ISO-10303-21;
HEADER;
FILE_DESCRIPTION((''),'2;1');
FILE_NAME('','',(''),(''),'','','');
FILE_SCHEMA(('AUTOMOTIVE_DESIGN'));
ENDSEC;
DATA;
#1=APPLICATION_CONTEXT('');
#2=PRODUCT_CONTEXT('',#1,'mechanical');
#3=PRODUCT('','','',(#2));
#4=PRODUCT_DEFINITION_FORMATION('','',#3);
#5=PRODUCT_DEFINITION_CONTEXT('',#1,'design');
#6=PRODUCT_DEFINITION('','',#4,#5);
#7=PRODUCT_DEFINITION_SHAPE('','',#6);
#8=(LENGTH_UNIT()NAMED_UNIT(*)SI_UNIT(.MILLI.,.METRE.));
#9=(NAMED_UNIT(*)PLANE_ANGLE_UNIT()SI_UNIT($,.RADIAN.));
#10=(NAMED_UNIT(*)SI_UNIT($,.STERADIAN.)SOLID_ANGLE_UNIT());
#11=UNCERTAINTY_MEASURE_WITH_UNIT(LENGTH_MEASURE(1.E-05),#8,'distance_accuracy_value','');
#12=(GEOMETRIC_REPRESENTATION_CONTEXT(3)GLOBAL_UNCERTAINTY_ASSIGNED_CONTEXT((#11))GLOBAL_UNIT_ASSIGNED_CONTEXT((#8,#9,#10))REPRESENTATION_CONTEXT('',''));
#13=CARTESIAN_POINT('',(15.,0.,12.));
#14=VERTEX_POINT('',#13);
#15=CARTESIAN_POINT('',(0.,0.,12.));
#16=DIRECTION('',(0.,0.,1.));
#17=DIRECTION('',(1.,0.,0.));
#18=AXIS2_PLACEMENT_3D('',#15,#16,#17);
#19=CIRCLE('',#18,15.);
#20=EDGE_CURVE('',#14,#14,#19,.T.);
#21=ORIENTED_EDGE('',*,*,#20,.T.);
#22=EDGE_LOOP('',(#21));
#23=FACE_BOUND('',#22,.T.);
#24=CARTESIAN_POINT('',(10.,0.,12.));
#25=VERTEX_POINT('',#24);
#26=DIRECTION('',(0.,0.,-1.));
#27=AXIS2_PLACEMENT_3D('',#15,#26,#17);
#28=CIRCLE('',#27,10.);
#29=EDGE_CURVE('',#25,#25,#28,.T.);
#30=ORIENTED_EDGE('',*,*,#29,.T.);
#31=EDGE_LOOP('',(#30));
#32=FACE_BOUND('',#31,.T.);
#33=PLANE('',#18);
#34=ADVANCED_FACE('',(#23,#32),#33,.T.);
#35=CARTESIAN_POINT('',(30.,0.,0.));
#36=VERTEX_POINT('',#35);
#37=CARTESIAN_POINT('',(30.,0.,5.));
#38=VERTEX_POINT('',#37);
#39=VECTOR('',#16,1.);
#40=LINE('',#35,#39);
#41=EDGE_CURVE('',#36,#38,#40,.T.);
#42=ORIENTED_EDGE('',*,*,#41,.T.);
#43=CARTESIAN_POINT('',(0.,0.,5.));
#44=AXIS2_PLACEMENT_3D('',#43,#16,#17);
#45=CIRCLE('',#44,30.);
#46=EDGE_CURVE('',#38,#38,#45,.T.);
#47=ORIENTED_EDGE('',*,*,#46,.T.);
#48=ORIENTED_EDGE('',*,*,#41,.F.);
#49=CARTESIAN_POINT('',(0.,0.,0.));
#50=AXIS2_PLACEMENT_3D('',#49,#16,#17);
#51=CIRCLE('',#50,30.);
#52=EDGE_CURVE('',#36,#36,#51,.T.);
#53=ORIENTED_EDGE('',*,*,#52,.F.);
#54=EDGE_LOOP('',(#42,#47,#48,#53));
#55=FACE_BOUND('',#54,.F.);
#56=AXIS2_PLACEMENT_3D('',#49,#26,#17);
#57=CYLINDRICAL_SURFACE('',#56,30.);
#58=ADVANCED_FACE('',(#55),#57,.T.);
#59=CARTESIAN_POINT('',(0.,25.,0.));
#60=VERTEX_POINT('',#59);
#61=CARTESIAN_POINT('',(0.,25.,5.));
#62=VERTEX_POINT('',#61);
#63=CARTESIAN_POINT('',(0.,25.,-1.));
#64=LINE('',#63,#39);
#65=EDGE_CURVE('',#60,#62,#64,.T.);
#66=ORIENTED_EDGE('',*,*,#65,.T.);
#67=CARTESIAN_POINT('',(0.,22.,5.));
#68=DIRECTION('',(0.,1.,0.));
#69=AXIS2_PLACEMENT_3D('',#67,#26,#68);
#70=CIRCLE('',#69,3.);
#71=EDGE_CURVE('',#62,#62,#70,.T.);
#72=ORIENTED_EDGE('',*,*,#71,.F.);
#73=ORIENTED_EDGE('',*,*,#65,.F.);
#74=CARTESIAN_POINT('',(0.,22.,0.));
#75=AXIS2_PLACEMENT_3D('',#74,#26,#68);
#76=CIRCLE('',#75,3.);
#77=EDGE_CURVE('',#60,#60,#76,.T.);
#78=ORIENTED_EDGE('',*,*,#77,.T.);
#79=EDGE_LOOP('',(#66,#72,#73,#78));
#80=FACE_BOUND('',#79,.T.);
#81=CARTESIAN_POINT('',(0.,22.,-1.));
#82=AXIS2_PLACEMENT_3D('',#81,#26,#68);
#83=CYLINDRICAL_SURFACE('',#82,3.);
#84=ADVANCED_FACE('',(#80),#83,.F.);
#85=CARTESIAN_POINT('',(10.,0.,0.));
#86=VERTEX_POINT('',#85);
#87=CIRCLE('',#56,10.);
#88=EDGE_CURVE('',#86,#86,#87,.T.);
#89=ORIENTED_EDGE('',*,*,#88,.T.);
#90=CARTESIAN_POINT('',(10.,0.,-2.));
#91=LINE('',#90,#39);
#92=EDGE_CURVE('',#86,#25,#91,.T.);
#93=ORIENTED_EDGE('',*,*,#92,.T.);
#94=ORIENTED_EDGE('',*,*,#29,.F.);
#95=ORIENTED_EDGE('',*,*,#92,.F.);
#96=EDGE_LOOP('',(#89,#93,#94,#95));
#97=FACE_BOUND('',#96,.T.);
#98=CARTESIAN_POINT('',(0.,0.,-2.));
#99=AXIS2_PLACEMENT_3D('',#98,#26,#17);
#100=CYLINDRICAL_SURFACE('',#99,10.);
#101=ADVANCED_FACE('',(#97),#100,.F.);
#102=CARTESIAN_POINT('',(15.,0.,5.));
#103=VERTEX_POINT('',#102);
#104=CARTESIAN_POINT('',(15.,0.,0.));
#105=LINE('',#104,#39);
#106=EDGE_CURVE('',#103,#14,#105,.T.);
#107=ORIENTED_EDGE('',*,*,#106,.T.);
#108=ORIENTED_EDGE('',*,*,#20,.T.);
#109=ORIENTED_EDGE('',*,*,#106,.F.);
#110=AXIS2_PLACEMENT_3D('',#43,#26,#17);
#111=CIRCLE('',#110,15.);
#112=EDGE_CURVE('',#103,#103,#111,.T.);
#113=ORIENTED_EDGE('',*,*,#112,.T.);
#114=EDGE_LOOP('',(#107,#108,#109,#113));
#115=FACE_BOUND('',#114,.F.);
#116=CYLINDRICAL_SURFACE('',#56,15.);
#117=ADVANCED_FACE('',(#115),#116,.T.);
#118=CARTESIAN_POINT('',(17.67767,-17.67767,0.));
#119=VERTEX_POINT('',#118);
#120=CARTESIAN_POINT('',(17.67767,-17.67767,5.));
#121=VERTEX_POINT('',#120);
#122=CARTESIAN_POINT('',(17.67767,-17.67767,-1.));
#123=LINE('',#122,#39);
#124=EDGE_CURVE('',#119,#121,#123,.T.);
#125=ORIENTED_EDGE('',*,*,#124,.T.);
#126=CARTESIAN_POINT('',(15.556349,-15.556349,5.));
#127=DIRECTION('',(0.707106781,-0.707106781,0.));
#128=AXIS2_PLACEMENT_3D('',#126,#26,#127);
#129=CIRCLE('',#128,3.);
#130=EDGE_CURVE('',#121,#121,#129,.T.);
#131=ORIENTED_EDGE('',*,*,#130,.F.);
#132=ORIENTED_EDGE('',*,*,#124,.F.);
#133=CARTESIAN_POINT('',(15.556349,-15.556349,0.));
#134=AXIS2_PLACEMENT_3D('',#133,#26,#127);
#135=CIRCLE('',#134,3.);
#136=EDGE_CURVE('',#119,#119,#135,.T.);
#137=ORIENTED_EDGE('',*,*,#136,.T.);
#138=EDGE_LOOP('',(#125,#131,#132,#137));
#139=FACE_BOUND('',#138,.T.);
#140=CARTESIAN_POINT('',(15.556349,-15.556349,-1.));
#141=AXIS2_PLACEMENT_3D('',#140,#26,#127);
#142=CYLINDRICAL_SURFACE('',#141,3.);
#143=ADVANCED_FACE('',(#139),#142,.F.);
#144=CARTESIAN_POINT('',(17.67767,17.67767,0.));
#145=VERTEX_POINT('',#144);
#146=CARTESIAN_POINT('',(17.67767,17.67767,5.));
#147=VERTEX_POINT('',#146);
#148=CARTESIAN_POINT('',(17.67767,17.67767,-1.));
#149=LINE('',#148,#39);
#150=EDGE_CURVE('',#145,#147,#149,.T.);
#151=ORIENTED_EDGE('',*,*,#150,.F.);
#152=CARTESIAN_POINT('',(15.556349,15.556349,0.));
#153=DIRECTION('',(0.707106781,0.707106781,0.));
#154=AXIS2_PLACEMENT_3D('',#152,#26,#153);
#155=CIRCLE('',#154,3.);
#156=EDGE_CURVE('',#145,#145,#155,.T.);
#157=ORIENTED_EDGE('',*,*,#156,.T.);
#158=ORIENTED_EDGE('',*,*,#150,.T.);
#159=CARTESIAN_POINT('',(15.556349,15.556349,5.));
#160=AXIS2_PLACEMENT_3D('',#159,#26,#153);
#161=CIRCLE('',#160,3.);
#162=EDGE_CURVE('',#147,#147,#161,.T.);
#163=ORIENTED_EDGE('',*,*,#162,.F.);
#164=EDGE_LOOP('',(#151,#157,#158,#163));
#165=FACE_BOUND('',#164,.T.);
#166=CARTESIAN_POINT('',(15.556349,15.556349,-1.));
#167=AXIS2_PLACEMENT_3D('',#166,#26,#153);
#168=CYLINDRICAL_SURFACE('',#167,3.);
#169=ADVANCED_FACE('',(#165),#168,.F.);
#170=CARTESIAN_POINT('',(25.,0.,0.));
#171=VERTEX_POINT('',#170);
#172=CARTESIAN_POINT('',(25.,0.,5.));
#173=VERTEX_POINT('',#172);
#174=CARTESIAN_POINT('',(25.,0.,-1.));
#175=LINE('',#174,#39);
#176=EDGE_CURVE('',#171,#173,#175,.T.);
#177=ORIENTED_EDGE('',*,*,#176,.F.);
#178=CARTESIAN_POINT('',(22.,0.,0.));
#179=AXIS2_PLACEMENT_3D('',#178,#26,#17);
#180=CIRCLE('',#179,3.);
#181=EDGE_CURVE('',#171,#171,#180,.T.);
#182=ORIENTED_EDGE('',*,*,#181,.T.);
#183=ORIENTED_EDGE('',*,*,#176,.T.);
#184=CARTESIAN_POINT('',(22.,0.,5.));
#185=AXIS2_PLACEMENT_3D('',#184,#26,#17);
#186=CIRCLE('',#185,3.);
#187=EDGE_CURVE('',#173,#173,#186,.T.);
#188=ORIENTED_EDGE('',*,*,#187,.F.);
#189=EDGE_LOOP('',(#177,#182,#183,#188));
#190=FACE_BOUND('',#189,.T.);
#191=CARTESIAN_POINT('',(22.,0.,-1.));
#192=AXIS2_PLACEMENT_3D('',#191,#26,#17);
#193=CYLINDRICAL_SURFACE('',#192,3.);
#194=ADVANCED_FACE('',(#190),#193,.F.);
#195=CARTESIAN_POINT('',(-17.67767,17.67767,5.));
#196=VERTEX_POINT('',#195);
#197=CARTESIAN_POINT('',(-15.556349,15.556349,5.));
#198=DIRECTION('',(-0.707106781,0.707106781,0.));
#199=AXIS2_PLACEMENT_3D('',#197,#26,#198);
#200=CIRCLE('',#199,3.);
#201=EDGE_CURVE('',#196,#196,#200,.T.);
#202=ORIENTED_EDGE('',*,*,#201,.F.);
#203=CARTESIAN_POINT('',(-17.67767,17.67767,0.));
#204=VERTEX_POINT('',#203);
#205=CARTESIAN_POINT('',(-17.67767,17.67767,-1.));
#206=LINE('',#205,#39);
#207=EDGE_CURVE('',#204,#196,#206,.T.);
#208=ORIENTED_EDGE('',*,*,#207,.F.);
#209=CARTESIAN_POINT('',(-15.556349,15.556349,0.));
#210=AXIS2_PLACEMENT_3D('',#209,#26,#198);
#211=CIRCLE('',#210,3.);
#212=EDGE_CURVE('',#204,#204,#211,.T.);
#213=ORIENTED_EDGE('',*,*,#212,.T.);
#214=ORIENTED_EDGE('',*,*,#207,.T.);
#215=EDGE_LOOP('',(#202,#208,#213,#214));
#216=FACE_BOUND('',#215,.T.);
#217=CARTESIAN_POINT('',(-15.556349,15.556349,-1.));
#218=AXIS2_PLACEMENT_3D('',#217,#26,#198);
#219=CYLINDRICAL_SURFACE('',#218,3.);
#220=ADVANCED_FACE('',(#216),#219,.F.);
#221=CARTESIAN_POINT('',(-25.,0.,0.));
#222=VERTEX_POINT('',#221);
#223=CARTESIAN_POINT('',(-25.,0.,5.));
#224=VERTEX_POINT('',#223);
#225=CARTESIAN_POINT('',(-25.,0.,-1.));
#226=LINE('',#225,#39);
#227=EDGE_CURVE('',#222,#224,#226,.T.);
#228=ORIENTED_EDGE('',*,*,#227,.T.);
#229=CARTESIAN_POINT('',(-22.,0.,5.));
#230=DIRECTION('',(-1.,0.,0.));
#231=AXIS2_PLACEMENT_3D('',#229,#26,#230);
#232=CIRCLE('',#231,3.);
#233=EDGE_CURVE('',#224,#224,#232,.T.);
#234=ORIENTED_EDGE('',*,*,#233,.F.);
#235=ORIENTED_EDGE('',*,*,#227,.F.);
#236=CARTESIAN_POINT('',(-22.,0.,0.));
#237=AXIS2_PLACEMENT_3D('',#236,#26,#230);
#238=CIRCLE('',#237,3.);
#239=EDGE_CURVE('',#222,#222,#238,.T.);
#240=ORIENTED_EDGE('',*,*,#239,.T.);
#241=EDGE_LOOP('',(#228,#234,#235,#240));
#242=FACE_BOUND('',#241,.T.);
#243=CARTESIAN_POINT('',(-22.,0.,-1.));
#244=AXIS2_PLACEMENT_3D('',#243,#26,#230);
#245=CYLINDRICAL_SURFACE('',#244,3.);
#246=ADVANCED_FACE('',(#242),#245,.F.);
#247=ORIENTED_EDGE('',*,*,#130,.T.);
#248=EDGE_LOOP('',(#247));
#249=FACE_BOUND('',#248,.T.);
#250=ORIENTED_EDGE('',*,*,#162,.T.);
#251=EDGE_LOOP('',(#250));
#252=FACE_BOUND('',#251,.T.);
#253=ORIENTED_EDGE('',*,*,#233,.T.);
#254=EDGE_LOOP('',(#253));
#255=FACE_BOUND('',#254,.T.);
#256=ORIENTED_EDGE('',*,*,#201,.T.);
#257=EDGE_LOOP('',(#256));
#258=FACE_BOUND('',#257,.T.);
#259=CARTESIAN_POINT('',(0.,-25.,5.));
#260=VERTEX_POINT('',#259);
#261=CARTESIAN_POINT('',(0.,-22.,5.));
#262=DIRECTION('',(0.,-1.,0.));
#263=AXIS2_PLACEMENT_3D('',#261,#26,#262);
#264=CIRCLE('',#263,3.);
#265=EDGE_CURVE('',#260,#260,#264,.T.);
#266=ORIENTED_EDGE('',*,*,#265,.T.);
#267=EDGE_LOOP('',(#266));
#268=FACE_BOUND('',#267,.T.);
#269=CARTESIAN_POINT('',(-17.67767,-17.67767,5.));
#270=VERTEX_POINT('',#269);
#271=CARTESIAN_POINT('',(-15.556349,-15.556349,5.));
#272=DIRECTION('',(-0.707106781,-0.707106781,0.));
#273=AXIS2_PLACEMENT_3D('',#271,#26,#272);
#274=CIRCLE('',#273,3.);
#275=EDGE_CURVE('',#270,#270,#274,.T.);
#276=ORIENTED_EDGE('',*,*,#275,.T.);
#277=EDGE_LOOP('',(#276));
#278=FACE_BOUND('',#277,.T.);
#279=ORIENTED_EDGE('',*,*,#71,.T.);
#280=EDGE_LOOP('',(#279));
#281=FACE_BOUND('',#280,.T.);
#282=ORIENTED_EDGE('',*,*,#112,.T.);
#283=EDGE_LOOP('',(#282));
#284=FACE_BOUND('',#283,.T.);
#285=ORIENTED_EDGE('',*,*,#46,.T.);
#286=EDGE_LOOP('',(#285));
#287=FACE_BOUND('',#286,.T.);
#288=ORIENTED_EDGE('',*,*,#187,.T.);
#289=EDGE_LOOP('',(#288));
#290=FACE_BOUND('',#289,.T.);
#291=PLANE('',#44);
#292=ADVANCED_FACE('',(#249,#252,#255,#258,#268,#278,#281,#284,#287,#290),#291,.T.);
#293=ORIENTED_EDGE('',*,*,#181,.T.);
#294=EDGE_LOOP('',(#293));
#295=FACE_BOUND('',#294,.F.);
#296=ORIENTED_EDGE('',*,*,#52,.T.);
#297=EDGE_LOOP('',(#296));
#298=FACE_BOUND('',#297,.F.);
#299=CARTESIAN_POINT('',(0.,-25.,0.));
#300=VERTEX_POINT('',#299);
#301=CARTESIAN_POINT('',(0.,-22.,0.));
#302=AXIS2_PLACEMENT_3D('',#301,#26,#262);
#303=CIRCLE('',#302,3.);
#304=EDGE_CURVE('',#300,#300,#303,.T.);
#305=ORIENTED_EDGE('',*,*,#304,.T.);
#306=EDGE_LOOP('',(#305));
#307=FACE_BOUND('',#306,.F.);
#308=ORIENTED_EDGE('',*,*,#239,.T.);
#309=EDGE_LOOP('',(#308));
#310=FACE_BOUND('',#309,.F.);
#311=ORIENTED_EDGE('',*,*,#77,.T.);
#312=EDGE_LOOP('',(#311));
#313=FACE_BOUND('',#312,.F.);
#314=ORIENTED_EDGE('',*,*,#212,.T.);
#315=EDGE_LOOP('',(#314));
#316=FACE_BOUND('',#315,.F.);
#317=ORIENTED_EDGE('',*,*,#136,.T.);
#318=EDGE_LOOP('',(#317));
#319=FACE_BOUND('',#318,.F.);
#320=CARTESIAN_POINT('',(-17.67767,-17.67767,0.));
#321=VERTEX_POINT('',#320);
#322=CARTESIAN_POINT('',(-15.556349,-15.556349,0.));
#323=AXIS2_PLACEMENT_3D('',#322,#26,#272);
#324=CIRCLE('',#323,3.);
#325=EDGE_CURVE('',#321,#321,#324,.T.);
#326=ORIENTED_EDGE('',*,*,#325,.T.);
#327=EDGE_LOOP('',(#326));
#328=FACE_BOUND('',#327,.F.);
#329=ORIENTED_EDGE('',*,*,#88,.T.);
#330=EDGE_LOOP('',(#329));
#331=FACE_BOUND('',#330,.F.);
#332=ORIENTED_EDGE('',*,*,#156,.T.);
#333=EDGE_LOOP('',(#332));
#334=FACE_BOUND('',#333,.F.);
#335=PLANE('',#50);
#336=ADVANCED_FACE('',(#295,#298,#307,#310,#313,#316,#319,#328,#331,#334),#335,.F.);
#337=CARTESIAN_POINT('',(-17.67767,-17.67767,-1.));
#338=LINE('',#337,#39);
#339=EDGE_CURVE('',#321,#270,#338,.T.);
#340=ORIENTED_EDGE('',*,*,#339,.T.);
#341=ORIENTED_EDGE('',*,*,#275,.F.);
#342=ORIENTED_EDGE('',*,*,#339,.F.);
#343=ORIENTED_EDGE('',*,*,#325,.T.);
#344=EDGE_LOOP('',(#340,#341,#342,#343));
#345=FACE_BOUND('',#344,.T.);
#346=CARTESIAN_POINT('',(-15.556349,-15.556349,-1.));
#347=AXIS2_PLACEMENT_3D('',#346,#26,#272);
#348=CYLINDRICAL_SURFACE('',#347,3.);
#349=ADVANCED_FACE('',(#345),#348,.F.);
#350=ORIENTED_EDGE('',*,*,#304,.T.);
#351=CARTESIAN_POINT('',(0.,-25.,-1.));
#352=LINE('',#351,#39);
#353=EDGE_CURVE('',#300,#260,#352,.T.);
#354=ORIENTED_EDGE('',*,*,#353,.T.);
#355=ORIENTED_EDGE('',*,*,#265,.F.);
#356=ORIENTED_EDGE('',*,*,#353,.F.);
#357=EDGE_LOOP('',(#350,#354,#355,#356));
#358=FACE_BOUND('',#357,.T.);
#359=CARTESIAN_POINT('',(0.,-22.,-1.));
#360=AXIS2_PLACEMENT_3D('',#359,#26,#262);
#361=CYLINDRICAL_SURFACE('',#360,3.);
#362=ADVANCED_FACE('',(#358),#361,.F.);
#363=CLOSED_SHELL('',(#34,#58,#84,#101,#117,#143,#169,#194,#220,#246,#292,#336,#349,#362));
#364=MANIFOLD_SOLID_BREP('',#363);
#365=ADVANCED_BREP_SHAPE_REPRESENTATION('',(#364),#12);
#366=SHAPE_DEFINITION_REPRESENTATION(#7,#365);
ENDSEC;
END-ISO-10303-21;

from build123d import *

# Parameters (mm, degrees)
CYLINDER003_R     = 3
CYLINDER003_DEPTH = 10
ARRAY_COUNT       = 8
CYLINDER002_R     = 10
CYLINDER002_DEPTH = 30
CYLINDER_R        = 30
CYLINDER_DEPTH    = 5
CYLINDER001_R     = 15
CYLINDER001_DEPTH = 12


with BuildPart() as array:
    # Cylinder003 → Cylinder003 (new body)
    with BuildSketch(Plane(origin=(22, 0, -1), x_dir=(1, 0, 0), z_dir=(0, 0, 1))):
        Circle(CYLINDER003_R)
    extrude(amount=CYLINDER003_DEPTH)

    # Array: Array ×8 about axis
    array_axis = Axis((0, 0, 0), (0, 0, 1))


with BuildPart() as array_1:
    add(array.part)
    for i in range(1, ARRAY_COUNT):
        add(array.part.rotate(array_axis, i * 360 / ARRAY_COUNT))


with BuildPart() as tub_interior:
    # Cylinder002 → Cylinder002 (new body)
    with BuildSketch(Plane.XY.offset(-2)):
        Circle(CYLINDER002_R)
    extrude(amount=CYLINDER002_DEPTH)


with BuildPart() as base:
    # Cylinder → Cylinder (new body)
    with BuildSketch(Plane.XY):
        Circle(CYLINDER_R)
    extrude(amount=CYLINDER_DEPTH)


with BuildPart() as cut001:
    # Cylinder001 → Cylinder001 (new body)
    with BuildSketch(Plane.XY):
        Circle(CYLINDER001_R)
    extrude(amount=CYLINDER001_DEPTH)

    # Fusion: union Base
    add(base.part)

    # Cut: cut Tub_interior
    add(tub_interior.part, mode=Mode.SUBTRACT)

    # Cut001: cut Array
    add(array_1.part, mode=Mode.SUBTRACT)


solid = cut001.part
